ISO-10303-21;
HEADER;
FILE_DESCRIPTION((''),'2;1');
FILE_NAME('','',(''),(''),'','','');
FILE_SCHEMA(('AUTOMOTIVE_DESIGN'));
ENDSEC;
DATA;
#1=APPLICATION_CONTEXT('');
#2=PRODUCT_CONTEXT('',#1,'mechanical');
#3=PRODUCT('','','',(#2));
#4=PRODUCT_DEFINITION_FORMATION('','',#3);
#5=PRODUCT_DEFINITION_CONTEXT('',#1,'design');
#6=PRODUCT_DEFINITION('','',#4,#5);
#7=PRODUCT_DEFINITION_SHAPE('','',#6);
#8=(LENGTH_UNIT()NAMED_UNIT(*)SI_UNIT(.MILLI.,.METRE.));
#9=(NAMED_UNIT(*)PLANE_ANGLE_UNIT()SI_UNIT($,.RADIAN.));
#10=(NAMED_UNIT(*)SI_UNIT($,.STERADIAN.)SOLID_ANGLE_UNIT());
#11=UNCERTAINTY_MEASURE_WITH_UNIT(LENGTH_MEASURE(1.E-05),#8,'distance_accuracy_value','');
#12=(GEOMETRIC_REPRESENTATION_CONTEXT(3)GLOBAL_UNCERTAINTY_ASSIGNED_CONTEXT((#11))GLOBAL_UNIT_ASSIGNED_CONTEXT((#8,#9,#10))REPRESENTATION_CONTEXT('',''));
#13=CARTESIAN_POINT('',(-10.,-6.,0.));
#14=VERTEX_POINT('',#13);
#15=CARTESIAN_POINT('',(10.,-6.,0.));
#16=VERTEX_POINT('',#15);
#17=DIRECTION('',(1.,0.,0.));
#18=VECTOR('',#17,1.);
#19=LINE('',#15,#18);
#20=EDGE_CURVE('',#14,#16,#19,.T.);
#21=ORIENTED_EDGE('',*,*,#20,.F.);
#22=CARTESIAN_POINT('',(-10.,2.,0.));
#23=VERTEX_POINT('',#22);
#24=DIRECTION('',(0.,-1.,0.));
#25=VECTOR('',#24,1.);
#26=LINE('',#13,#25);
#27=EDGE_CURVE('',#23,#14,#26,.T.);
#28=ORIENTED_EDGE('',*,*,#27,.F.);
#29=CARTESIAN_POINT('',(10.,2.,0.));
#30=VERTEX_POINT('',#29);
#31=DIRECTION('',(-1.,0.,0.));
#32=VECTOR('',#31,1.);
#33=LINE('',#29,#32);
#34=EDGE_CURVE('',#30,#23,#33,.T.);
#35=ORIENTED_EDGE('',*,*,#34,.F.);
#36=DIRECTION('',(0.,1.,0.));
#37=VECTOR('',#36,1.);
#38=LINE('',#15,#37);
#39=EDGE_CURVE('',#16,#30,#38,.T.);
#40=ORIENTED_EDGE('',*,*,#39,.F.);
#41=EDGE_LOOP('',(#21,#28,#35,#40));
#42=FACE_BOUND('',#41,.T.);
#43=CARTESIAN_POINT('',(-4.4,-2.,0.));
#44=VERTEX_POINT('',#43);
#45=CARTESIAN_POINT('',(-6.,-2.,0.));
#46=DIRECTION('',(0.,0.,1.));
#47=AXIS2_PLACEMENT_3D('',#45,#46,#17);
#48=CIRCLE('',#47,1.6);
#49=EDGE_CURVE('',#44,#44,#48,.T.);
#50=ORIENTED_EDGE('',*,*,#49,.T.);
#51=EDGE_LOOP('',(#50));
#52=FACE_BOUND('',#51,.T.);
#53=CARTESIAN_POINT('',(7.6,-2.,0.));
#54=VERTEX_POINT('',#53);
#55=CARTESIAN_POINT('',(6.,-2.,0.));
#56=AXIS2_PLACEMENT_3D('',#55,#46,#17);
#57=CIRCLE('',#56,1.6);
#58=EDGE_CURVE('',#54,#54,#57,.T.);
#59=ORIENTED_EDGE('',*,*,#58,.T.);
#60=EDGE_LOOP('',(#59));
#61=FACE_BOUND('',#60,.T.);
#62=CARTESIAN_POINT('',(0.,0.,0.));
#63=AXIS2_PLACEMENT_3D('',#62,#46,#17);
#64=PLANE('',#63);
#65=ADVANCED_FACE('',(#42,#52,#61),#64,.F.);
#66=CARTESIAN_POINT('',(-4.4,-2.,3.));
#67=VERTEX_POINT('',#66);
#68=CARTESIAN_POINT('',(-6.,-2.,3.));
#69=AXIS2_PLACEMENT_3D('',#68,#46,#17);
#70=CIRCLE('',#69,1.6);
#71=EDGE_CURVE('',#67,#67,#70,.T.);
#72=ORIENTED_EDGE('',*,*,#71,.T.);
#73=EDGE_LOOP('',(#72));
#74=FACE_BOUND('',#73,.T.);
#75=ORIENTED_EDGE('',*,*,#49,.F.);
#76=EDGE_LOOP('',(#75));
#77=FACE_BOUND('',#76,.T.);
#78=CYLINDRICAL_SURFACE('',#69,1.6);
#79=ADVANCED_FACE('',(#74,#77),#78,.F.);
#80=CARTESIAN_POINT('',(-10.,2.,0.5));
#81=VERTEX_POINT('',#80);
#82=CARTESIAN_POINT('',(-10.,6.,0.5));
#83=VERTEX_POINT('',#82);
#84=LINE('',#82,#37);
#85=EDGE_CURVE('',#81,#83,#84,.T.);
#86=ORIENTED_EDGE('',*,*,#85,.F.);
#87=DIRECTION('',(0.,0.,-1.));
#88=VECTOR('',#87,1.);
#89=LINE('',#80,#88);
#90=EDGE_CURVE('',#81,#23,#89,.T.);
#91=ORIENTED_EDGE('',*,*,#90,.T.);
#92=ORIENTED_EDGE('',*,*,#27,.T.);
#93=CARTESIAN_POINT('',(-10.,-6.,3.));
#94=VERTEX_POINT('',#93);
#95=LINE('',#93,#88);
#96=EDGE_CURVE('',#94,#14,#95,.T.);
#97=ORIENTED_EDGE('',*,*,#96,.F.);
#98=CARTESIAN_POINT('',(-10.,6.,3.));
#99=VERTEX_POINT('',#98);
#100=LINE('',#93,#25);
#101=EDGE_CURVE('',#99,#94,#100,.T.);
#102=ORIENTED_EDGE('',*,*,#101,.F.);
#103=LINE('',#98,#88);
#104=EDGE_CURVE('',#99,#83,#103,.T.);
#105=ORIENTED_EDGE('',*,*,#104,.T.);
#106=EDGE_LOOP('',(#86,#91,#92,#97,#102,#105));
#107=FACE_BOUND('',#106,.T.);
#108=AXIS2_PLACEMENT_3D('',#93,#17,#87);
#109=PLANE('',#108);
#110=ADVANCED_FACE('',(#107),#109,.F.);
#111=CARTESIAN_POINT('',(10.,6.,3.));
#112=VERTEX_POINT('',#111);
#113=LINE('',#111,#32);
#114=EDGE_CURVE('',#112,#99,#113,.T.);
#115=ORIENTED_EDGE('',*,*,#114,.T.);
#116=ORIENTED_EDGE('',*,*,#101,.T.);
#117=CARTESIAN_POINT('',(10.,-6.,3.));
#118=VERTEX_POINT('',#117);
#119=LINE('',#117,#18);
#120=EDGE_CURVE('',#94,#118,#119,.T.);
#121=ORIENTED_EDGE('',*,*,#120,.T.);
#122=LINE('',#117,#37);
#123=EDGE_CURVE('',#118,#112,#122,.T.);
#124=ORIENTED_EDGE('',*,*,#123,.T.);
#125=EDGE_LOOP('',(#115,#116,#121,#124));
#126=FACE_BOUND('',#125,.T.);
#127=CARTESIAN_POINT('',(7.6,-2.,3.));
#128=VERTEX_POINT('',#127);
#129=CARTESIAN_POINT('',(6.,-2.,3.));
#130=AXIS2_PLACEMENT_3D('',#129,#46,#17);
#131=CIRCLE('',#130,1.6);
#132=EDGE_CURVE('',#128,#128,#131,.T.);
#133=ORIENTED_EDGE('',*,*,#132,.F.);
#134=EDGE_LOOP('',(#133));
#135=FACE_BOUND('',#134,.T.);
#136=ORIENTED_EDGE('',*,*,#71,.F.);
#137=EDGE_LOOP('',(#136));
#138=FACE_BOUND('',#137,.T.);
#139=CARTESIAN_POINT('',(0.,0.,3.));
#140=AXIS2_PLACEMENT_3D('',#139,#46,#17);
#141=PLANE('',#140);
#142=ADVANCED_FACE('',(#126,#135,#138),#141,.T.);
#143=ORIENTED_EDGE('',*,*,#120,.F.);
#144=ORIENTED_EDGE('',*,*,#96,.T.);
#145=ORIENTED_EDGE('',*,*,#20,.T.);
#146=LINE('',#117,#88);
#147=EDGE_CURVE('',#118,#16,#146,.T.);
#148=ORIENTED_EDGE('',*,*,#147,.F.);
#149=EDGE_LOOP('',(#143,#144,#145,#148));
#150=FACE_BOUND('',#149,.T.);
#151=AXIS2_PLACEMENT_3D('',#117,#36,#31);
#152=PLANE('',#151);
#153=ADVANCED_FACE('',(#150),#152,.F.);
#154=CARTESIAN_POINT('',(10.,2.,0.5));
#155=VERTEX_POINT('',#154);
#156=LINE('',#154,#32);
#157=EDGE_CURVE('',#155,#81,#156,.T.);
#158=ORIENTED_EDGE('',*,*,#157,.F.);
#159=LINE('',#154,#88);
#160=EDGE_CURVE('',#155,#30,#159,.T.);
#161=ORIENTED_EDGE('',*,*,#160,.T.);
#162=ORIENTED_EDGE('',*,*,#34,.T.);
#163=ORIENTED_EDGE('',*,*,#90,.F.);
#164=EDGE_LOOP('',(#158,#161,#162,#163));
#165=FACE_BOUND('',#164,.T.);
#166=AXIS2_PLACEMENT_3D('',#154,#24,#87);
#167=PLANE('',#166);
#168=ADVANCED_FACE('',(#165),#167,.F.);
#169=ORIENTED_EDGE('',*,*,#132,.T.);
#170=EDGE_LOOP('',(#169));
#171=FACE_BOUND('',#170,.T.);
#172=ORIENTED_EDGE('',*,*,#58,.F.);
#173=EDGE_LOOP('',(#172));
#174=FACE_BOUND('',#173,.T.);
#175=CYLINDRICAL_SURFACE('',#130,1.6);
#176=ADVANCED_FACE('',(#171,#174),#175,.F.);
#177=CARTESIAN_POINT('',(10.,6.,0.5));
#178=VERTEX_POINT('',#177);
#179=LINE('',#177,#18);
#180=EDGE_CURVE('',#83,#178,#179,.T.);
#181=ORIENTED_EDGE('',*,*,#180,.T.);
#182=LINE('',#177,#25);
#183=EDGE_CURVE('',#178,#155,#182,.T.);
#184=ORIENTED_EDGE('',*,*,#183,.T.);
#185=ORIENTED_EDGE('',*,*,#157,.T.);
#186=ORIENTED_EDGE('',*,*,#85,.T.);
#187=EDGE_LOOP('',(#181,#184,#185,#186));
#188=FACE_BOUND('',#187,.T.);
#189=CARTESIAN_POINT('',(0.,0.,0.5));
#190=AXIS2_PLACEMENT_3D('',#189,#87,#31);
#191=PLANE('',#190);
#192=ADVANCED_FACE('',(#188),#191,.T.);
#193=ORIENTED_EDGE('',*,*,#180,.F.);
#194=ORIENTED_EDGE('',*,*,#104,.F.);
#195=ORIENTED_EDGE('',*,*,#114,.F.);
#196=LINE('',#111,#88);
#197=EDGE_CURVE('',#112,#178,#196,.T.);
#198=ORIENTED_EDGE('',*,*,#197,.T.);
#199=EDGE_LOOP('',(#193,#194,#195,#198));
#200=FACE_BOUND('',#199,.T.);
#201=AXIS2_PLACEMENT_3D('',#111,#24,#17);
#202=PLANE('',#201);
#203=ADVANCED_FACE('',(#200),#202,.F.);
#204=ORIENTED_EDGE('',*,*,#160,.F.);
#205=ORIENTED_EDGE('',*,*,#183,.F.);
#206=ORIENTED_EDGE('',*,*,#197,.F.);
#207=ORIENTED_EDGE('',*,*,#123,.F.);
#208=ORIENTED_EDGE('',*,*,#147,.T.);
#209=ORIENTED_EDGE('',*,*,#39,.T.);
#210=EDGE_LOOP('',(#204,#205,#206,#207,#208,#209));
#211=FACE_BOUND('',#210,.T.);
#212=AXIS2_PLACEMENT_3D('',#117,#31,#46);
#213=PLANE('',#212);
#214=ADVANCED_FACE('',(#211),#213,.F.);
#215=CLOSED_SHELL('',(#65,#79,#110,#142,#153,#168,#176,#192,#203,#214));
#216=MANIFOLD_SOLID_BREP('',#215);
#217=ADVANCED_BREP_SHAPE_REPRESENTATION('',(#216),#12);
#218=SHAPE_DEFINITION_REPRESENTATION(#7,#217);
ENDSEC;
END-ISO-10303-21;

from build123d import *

# Parameters (mm, degrees)
SKETCH1_W            = 20
SKETCH1_H            = 12
BOSS_EXTRUDE1_DEPTH  = 3
SKETCH2_W            = 20
SKETCH2_H            = 4
CUT_EXTRUDE1_DEPTH   = 0.5
M3_CLEARANCE_HOLE1_D = 3.2


with BuildPart() as part:
    # Sketch1 → Boss-Extrude1 (new body)
    with BuildSketch(Plane.XY):
        Rectangle(SKETCH1_W, SKETCH1_H)
    extrude(amount=BOSS_EXTRUDE1_DEPTH)

    # Sketch2 → Cut-Extrude1 (cut)
    with BuildSketch(Plane(origin=(0, 0, 0), x_dir=(-1, 0, 0), z_dir=(0, 0, -1))):
        with Locations((0, 4)):
            Rectangle(SKETCH2_W, SKETCH2_H)
    extrude(amount=-CUT_EXTRUDE1_DEPTH, mode=Mode.SUBTRACT)

    # M3 Clearance Hole1 (through all)
    with Locations(Plane.XY.offset(3)):
        with Locations((-6, -2), (6, -2)):
            Hole(M3_CLEARANCE_HOLE1_D / 2)


solid = part.part
